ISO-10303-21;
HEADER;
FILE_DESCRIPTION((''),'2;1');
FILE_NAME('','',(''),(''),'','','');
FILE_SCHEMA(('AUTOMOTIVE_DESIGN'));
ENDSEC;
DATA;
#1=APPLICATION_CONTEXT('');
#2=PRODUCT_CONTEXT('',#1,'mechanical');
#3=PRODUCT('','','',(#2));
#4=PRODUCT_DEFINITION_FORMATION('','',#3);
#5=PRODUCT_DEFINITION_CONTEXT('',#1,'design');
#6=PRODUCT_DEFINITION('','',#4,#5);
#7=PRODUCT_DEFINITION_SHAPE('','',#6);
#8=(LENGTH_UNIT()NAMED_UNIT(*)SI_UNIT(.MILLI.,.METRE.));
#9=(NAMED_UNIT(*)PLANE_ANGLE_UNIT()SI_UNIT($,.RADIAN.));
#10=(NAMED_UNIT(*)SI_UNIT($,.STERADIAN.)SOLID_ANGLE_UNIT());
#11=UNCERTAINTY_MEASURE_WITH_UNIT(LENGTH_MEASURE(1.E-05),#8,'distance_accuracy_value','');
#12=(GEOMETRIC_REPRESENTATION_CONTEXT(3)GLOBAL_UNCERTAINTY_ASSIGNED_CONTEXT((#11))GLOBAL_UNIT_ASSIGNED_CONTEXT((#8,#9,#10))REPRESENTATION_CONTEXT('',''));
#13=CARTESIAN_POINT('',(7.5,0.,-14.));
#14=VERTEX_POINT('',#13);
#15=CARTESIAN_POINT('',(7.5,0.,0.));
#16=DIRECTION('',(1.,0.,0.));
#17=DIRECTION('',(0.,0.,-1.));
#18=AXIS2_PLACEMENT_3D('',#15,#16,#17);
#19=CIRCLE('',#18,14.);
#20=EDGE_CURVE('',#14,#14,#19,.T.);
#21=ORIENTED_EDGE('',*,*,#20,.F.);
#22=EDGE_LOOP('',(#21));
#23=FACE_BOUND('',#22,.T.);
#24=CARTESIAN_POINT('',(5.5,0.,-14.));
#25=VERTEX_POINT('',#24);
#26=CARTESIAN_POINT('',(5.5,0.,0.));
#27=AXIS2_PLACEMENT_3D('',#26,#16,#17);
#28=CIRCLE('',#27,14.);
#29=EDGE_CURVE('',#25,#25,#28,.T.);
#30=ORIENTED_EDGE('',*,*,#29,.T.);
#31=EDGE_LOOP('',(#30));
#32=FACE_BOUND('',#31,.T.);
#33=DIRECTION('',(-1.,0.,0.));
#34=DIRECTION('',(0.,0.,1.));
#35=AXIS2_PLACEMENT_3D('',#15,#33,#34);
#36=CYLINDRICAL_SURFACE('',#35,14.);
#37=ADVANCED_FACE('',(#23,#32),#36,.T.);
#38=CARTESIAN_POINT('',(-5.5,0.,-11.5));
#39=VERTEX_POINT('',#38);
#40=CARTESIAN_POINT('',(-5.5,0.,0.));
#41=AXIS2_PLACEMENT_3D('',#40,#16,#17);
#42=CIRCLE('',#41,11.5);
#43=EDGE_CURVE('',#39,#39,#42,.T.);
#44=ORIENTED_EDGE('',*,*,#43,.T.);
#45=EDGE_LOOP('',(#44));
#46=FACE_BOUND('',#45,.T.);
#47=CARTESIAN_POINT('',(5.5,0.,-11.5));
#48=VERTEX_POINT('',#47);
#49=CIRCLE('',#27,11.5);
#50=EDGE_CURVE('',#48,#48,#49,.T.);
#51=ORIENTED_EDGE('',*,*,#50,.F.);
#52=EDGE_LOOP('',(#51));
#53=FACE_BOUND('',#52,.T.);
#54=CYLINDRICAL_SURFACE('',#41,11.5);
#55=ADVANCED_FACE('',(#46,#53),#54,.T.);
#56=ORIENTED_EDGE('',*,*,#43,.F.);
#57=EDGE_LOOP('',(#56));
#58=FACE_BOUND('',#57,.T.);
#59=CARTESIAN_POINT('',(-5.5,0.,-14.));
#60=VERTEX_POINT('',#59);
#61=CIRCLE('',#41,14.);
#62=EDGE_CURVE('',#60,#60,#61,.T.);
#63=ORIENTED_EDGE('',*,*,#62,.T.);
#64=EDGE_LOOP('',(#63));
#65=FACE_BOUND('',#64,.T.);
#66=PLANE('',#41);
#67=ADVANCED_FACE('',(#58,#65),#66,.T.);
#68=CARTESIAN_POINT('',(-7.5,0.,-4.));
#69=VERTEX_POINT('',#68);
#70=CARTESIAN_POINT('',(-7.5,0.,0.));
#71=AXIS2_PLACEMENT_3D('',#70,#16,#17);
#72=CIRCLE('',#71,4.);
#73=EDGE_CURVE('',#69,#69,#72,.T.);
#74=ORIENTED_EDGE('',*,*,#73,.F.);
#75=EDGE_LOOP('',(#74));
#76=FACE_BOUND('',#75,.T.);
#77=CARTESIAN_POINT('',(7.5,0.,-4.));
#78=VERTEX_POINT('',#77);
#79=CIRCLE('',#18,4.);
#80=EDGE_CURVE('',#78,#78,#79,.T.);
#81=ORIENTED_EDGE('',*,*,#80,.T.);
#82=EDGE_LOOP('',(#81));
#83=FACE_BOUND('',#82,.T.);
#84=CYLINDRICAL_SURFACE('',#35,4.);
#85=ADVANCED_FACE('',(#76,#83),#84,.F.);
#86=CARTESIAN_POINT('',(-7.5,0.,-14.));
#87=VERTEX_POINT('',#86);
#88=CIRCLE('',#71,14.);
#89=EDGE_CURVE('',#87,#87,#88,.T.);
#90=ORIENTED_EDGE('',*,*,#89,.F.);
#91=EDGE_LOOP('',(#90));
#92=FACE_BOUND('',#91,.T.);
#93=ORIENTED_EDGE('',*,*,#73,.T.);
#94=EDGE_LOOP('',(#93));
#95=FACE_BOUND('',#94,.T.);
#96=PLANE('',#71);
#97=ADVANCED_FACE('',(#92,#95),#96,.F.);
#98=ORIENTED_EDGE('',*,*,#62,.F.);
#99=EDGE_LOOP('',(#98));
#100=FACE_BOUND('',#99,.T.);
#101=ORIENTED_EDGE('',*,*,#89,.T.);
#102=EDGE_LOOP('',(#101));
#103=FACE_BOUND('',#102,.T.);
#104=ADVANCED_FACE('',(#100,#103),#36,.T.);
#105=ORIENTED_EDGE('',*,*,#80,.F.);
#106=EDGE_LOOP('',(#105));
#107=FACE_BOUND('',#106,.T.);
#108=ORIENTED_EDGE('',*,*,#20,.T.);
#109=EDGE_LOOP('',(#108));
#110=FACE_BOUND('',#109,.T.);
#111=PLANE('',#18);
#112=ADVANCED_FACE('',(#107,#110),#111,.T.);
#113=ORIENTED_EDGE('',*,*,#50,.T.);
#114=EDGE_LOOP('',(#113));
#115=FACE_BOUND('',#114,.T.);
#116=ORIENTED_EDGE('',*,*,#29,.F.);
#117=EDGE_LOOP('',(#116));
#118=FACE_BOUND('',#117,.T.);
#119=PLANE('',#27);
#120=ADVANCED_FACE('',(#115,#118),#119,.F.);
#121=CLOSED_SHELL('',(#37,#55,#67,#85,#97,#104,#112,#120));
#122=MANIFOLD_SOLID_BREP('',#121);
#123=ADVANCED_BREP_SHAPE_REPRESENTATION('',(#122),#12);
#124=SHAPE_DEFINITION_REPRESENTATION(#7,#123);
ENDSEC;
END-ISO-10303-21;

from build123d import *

# Parameters (mm, degrees)
SKETCH1_R           = 14
SKETCH1_R_2         = 4
BOSS_EXTRUDE1_DEPTH = 7.5
SKETCH2_OUTSIDE_W   = 38.468
SKETCH2_OUTSIDE_H   = 38.468
SKETCH2_OUTSIDE_R   = 11.5
CUT_EXTRUDE1_DEPTH  = 5.5


with BuildPart() as part:
    # Sketch1 → Boss-Extrude1 (new, symmetric)
    with BuildSketch(Plane(origin=(0, 0, 0), x_dir=(0, 0, -1), z_dir=(1, 0, 0))):
        Circle(SKETCH1_R)
        Circle(SKETCH1_R_2, mode=Mode.SUBTRACT)
    extrude(amount=BOSS_EXTRUDE1_DEPTH, both=True)

    # Sketch2 outside → Cut-Extrude1 (cut, symmetric)
    with BuildSketch(Plane(origin=(0, 0, 0), x_dir=(0, 0, -1), z_dir=(1, 0, 0))):
        Rectangle(SKETCH2_OUTSIDE_W, SKETCH2_OUTSIDE_H)
        Circle(SKETCH2_OUTSIDE_R, mode=Mode.SUBTRACT)
    extrude(amount=CUT_EXTRUDE1_DEPTH, both=True, mode=Mode.SUBTRACT)


solid = part.part
